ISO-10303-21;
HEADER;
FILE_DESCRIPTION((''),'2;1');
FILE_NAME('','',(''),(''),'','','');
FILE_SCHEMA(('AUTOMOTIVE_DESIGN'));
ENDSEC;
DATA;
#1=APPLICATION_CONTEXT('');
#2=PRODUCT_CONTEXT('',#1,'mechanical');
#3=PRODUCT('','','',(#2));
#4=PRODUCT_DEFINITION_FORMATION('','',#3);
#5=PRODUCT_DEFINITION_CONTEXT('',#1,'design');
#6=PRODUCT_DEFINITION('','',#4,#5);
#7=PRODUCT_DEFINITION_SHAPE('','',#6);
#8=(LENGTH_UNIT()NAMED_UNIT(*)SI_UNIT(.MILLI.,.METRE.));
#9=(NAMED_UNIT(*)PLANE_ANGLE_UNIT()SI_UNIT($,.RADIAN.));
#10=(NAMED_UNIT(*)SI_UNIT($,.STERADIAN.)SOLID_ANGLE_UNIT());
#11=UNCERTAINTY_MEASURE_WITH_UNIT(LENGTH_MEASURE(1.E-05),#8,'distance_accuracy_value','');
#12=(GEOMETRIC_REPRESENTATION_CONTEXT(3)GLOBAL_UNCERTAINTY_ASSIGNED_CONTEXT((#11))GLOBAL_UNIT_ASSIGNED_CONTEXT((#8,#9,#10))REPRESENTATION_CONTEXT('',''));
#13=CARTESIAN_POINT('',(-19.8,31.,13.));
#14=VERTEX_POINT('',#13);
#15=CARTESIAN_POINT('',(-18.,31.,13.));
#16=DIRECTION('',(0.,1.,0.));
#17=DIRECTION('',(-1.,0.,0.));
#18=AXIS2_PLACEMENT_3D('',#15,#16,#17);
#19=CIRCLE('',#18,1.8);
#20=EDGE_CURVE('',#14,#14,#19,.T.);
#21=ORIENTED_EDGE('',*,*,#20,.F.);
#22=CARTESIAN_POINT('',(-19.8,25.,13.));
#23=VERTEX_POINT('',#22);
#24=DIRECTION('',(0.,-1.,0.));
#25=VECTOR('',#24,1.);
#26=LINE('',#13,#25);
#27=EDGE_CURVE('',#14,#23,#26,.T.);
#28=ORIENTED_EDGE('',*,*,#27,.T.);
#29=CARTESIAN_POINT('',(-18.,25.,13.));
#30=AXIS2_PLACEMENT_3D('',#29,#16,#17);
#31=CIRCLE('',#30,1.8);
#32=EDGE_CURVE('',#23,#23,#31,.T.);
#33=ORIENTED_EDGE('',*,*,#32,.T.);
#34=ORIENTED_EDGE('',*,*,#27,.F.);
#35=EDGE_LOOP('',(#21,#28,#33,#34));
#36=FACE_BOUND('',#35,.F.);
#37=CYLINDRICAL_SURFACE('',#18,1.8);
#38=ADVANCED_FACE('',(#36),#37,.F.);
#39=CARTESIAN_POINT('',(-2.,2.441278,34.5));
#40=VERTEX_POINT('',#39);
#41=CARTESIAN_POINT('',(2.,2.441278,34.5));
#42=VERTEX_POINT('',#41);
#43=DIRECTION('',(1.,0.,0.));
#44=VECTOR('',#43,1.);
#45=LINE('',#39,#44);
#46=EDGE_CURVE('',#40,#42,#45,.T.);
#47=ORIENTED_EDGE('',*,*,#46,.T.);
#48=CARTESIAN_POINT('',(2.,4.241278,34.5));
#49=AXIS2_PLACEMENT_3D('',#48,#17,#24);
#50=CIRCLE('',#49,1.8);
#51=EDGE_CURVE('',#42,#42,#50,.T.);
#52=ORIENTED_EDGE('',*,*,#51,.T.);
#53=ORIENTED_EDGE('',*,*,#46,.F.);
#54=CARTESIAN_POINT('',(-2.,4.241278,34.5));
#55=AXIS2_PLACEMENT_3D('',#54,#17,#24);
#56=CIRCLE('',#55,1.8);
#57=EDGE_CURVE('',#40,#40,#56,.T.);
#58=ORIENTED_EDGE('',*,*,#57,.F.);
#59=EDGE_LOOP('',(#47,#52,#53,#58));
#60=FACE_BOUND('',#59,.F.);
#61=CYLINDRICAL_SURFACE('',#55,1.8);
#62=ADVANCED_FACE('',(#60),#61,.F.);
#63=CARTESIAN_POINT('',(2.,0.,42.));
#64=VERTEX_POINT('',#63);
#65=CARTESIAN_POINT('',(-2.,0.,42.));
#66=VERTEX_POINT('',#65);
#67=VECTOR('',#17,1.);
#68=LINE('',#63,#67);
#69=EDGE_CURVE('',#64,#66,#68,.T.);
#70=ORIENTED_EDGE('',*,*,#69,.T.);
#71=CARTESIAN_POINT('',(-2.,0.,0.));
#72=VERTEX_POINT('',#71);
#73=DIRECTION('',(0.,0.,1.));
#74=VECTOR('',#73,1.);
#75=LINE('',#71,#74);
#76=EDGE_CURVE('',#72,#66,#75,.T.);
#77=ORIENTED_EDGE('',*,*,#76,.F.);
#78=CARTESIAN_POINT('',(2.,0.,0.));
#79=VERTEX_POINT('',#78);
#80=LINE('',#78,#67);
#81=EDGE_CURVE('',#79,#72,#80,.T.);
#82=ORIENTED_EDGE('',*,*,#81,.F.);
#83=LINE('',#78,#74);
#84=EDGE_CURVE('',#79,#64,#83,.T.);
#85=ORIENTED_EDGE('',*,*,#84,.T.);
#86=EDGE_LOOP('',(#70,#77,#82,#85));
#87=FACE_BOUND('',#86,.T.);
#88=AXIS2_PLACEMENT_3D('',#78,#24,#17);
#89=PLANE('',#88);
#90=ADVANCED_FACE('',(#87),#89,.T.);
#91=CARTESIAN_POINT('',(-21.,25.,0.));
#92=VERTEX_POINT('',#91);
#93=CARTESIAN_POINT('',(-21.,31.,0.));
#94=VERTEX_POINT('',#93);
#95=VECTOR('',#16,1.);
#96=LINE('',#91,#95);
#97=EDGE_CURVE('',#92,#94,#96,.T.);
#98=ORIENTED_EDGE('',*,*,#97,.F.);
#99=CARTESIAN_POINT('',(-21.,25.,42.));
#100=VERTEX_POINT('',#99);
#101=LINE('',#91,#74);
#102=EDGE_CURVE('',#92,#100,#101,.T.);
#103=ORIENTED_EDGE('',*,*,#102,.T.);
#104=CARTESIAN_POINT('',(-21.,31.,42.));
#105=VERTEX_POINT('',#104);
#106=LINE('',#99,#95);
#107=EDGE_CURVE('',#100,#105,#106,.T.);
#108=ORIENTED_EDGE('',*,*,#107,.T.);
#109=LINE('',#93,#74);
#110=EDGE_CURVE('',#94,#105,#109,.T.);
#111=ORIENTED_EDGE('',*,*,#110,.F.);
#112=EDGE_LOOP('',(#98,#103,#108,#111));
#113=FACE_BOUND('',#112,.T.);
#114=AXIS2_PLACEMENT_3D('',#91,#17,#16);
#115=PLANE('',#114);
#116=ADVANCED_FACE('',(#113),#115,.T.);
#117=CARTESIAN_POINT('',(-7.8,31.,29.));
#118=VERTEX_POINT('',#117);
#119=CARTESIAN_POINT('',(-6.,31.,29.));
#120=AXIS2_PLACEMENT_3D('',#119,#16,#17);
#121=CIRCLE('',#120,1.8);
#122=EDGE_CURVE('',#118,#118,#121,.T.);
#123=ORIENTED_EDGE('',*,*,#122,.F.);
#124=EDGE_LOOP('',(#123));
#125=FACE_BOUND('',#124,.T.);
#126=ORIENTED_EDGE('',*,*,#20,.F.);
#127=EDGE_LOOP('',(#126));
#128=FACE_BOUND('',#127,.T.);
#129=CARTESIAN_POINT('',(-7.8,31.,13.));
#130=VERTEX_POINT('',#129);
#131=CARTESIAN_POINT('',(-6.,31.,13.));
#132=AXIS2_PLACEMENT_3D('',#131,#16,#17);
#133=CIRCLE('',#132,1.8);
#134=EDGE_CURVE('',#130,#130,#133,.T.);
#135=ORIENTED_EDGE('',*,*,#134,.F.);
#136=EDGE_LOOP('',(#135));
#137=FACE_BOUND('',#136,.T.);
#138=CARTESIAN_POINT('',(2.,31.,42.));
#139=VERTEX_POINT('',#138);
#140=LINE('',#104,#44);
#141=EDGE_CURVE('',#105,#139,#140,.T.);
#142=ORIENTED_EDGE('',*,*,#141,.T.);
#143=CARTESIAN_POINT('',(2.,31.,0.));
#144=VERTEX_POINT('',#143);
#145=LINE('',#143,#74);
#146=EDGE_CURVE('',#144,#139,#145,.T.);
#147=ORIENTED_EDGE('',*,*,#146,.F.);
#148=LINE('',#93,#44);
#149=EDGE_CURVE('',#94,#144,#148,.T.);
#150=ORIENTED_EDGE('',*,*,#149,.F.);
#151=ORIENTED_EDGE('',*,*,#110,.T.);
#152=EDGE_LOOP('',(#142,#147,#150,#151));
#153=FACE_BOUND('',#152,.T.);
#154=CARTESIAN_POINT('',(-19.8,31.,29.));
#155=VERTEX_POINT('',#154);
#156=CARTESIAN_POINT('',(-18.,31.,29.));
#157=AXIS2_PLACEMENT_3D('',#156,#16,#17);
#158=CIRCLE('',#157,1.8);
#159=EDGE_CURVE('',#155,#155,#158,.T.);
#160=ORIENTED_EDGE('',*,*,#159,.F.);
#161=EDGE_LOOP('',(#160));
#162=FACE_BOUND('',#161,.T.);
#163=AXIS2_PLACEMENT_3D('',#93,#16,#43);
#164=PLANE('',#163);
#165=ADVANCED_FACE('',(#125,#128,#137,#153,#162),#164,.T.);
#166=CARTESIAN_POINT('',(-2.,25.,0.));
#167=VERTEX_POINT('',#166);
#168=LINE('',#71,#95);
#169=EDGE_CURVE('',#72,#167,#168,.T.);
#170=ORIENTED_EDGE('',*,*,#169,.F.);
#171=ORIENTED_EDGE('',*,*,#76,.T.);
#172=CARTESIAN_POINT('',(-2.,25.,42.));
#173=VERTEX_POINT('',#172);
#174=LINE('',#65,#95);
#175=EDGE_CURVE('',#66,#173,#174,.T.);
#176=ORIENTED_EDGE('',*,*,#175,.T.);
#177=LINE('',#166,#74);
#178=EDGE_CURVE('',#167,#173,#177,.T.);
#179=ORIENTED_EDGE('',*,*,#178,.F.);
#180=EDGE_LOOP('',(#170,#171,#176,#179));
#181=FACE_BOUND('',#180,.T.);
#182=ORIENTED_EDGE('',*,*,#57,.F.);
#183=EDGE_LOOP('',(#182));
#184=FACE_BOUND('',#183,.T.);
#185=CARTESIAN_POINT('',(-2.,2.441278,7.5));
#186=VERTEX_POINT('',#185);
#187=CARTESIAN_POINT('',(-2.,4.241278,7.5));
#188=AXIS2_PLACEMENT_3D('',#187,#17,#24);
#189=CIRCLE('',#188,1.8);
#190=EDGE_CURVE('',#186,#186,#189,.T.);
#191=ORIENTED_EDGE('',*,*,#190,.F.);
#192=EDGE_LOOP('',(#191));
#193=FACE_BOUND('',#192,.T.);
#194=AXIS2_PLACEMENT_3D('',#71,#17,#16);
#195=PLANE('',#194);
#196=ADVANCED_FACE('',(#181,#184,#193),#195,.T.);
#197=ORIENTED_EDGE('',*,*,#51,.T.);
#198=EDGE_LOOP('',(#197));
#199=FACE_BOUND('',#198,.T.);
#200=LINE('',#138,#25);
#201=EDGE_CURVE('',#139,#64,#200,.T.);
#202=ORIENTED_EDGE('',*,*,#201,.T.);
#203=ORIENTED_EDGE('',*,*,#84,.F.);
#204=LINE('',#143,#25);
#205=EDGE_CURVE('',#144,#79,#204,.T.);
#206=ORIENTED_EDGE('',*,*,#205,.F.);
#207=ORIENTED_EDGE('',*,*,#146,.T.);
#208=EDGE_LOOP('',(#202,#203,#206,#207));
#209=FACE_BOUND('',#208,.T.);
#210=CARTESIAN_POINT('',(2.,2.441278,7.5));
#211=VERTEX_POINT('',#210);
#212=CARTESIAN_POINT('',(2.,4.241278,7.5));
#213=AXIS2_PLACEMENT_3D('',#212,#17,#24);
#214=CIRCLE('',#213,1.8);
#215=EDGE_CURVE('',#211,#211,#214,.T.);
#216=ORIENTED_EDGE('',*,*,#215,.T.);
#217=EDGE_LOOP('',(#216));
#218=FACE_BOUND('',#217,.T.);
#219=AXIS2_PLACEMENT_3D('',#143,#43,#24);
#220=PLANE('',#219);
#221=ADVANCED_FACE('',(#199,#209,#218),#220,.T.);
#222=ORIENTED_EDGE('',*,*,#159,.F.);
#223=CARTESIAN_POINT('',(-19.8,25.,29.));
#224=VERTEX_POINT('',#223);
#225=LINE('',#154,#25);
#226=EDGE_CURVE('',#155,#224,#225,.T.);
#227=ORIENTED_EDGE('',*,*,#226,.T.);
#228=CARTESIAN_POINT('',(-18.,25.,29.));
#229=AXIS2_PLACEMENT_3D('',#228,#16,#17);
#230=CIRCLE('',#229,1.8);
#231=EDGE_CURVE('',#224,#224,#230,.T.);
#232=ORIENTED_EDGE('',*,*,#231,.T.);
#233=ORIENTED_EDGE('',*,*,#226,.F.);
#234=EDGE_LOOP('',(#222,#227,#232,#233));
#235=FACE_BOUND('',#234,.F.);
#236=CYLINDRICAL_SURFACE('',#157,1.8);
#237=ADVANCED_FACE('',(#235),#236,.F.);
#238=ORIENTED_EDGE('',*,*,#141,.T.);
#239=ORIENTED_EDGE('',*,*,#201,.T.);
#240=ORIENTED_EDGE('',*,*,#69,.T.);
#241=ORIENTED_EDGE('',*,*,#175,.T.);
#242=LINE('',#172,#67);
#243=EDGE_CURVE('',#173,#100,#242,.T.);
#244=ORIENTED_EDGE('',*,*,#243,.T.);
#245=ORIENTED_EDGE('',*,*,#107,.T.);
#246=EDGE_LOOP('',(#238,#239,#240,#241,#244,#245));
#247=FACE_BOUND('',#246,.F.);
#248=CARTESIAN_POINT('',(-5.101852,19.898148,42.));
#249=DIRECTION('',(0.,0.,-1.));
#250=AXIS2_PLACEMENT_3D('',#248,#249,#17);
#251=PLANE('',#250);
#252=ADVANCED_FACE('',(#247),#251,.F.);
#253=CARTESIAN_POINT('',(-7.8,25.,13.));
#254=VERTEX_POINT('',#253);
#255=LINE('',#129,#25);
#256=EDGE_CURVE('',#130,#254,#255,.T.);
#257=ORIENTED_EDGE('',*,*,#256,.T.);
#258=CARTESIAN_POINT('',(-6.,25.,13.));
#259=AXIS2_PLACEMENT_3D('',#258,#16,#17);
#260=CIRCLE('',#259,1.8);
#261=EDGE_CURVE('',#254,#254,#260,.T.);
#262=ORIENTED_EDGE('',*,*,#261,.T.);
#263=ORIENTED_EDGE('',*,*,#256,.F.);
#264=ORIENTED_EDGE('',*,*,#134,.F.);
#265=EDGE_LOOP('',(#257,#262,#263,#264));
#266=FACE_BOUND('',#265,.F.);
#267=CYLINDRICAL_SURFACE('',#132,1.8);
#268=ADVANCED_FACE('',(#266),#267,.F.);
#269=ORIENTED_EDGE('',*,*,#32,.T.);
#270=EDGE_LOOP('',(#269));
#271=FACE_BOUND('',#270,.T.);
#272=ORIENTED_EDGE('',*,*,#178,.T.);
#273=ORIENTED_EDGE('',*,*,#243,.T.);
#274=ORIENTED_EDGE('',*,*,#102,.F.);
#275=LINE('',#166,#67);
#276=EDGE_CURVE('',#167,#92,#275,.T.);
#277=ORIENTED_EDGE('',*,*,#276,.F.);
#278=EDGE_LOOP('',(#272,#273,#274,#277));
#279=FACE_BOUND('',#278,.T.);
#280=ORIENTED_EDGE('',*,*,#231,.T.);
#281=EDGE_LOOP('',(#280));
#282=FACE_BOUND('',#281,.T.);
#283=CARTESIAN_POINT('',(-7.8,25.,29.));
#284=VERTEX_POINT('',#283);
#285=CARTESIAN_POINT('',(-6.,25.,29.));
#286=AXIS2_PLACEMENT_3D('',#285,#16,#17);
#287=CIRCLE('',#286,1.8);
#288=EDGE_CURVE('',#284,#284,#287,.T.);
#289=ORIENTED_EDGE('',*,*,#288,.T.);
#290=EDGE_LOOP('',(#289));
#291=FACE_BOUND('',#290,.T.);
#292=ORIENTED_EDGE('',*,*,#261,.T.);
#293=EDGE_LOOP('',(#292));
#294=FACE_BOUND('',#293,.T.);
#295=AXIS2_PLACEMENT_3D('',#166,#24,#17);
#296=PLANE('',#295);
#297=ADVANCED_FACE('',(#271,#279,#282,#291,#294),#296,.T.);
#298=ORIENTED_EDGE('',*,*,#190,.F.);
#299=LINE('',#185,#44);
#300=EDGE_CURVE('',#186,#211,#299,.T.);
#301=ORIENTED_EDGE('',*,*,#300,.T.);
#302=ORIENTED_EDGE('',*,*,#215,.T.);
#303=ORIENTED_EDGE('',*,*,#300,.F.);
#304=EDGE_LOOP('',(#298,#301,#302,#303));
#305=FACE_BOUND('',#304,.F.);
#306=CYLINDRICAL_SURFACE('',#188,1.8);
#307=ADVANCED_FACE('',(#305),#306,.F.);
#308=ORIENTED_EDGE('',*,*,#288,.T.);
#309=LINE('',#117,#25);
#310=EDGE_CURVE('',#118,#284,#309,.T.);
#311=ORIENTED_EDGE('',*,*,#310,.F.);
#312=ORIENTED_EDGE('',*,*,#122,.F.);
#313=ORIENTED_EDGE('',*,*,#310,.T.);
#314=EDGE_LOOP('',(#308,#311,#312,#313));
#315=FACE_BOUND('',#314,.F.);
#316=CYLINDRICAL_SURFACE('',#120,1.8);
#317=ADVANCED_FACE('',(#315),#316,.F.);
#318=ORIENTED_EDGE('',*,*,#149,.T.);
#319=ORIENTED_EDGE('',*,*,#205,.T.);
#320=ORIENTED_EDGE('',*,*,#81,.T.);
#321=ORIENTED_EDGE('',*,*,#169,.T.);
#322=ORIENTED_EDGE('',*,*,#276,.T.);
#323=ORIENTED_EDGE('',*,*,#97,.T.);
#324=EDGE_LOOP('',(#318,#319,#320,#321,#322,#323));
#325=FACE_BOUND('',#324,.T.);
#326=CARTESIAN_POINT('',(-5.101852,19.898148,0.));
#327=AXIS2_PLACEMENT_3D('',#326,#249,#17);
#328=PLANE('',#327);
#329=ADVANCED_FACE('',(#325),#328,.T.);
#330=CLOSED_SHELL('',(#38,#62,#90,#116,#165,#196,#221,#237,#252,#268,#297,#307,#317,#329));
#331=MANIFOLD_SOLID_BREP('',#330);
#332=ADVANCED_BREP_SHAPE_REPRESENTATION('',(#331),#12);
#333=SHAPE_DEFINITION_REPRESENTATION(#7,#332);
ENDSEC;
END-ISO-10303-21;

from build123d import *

# Parameters (mm, degrees)
PAD_DEPTH       = 42
SKETCH001_R     = 1.8
POCKET_DEPTH    = 6
SKETCH002_R     = 1.8
POCKET001_DEPTH = 4


with BuildPart() as part:
    # Sketch → Pad (new body)
    with BuildSketch(Plane.XY):
        Polygon((-21, 31), (2, 31), (2, 0), (-2, 0), (-2, 25), (-21, 25), align=None)
    extrude(amount=PAD_DEPTH)

    # Sketch001 → Pocket (cut)
    with BuildSketch(Plane(origin=(0, 31, 0), x_dir=(-1, 0, 0), z_dir=(0, 1, 0))):
        with Locations((6, 29)):
            Circle(SKETCH001_R)
        with Locations((18, 29)):
            Circle(SKETCH001_R)
        with Locations((6, 13)):
            Circle(SKETCH001_R)
        with Locations((18, 13)):
            Circle(SKETCH001_R)
    extrude(amount=-POCKET_DEPTH, mode=Mode.SUBTRACT)

    # Sketch002 → Pocket001 (cut)
    with BuildSketch(Plane(origin=(-2, 0, 0), x_dir=(0, -1, 0), z_dir=(-1, 0, 0))):
        with Locations((-4.241278, 34.5)):
            Circle(SKETCH002_R)
        with Locations((-4.241278, 7.5)):
            Circle(SKETCH002_R)
    extrude(amount=-POCKET001_DEPTH, mode=Mode.SUBTRACT)


solid = part.part
